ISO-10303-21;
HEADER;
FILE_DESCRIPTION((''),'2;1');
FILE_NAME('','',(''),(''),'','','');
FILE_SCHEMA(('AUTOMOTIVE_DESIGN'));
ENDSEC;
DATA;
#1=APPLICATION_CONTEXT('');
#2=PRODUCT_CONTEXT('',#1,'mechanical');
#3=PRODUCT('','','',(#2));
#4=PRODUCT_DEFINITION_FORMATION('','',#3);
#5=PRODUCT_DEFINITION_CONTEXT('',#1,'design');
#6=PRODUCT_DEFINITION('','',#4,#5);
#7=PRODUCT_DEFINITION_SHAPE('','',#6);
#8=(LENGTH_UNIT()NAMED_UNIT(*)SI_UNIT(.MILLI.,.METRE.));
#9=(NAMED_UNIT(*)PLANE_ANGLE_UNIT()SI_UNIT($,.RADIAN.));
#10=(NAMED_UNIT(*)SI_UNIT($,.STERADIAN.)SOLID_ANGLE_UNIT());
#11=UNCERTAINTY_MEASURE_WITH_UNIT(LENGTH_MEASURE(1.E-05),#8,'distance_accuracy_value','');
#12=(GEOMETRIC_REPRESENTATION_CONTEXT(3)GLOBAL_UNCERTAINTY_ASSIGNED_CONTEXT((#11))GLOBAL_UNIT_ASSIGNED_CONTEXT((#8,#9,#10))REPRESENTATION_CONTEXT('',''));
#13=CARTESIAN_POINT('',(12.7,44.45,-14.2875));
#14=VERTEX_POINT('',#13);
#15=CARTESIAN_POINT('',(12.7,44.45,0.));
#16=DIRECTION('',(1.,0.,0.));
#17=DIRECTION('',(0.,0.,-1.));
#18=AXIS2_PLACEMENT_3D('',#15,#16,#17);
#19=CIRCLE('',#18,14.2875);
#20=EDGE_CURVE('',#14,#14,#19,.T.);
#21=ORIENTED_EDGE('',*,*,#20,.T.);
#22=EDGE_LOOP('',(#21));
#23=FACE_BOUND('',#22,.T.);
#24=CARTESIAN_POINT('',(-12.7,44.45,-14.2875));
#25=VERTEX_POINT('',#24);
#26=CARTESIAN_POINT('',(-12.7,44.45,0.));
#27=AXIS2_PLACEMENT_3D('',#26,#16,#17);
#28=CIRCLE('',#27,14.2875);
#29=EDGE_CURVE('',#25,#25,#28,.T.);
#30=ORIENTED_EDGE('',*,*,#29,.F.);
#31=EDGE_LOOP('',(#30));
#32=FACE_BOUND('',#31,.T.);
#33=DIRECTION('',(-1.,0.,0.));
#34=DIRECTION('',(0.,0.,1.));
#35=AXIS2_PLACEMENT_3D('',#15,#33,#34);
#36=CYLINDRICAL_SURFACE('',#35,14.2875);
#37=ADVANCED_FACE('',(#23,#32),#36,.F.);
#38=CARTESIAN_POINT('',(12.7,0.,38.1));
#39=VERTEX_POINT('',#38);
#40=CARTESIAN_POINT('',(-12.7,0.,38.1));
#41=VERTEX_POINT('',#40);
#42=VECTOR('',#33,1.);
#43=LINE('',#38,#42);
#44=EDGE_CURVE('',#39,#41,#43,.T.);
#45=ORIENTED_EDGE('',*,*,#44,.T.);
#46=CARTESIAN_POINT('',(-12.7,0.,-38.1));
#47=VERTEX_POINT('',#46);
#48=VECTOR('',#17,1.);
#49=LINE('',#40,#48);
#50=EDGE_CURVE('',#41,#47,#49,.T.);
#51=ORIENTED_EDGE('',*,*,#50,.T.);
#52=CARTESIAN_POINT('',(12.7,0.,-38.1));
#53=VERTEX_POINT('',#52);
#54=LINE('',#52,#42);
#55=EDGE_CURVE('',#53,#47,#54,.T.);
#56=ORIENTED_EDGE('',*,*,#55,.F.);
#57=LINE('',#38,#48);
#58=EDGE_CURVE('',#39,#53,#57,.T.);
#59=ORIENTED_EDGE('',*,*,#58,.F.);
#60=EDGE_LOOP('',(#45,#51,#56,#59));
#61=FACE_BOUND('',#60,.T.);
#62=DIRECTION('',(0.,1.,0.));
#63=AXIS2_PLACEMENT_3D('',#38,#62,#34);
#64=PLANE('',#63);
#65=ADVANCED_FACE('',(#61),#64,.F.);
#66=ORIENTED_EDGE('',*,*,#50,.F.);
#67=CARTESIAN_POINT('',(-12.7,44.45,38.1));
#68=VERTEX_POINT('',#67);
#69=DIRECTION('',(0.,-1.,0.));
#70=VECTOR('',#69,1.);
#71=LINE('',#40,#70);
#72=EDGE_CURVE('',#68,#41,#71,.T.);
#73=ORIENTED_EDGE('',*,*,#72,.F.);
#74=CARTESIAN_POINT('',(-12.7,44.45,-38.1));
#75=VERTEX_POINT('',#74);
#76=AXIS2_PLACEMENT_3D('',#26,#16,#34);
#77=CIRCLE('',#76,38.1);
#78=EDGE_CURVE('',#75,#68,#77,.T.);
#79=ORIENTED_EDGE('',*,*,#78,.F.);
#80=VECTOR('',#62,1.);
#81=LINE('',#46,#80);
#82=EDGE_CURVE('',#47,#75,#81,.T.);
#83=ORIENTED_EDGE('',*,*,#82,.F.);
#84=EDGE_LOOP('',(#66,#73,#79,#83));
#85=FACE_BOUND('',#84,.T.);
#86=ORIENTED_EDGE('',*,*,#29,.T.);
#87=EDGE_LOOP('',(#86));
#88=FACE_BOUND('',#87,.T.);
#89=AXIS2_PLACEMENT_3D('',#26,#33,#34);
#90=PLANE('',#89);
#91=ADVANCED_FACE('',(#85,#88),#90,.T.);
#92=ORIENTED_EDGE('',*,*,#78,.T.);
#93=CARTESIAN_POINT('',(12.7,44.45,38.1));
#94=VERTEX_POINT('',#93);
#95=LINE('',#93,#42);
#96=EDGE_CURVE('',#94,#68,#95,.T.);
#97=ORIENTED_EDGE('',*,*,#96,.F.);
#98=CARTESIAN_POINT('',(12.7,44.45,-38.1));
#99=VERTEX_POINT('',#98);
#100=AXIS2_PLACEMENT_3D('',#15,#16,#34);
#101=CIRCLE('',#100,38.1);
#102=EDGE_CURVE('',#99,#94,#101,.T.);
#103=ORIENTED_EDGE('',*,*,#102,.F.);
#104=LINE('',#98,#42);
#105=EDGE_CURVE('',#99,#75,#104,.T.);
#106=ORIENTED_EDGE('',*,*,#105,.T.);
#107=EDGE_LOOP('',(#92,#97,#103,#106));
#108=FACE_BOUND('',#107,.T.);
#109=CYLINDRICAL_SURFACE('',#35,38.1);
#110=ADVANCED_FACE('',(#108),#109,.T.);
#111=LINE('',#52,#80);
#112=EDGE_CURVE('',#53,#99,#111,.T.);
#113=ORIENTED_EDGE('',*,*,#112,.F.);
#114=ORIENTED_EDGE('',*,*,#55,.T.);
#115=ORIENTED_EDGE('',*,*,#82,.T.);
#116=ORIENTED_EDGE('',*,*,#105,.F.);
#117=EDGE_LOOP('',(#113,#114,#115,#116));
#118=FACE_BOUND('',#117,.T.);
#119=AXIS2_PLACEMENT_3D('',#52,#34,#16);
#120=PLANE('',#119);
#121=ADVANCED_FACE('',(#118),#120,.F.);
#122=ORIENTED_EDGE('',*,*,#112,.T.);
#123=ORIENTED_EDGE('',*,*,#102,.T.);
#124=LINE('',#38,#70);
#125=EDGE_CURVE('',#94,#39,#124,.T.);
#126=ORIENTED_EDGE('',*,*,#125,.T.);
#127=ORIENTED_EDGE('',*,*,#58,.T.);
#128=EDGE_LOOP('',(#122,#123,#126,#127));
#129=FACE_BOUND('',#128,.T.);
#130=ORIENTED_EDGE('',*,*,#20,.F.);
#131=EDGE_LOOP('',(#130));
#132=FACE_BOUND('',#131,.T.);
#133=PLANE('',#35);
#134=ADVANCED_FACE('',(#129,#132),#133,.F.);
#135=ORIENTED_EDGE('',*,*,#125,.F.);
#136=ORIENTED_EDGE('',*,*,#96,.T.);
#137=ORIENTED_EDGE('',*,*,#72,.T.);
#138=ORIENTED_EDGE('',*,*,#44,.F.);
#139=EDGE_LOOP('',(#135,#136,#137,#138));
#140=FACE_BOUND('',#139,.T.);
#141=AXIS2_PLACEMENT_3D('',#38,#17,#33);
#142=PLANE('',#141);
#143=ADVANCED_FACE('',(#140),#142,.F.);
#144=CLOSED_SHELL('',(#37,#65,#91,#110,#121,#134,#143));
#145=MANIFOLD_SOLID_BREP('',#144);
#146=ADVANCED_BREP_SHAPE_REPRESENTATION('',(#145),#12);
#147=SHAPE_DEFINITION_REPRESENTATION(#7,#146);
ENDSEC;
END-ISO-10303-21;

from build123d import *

# Parameters (mm, degrees)
SKETCH1_R           = 14.2875
BOSS_EXTRUDE1_DEPTH = 12.7


with BuildPart() as part:
    # Sketch1 → Boss-Extrude1 (new body, symmetric)
    with BuildSketch(Plane(origin=(0, 0, 0), x_dir=(0, 0, -1), z_dir=(1, 0, 0))):
        with BuildLine():
            Line((-38.1, 0), (38.1, 0))
            Line((38.1, 0), (38.1, 44.45))
            ThreePointArc((38.1, 44.45), (0, 82.55), (-38.1, 44.45))
            Line((-38.1, 44.45), (-38.1, 0))
        make_face()
        with Locations((0, 44.45)):
            Circle(SKETCH1_R, mode=Mode.SUBTRACT)
    extrude(amount=BOSS_EXTRUDE1_DEPTH, both=True)


solid = part.part
